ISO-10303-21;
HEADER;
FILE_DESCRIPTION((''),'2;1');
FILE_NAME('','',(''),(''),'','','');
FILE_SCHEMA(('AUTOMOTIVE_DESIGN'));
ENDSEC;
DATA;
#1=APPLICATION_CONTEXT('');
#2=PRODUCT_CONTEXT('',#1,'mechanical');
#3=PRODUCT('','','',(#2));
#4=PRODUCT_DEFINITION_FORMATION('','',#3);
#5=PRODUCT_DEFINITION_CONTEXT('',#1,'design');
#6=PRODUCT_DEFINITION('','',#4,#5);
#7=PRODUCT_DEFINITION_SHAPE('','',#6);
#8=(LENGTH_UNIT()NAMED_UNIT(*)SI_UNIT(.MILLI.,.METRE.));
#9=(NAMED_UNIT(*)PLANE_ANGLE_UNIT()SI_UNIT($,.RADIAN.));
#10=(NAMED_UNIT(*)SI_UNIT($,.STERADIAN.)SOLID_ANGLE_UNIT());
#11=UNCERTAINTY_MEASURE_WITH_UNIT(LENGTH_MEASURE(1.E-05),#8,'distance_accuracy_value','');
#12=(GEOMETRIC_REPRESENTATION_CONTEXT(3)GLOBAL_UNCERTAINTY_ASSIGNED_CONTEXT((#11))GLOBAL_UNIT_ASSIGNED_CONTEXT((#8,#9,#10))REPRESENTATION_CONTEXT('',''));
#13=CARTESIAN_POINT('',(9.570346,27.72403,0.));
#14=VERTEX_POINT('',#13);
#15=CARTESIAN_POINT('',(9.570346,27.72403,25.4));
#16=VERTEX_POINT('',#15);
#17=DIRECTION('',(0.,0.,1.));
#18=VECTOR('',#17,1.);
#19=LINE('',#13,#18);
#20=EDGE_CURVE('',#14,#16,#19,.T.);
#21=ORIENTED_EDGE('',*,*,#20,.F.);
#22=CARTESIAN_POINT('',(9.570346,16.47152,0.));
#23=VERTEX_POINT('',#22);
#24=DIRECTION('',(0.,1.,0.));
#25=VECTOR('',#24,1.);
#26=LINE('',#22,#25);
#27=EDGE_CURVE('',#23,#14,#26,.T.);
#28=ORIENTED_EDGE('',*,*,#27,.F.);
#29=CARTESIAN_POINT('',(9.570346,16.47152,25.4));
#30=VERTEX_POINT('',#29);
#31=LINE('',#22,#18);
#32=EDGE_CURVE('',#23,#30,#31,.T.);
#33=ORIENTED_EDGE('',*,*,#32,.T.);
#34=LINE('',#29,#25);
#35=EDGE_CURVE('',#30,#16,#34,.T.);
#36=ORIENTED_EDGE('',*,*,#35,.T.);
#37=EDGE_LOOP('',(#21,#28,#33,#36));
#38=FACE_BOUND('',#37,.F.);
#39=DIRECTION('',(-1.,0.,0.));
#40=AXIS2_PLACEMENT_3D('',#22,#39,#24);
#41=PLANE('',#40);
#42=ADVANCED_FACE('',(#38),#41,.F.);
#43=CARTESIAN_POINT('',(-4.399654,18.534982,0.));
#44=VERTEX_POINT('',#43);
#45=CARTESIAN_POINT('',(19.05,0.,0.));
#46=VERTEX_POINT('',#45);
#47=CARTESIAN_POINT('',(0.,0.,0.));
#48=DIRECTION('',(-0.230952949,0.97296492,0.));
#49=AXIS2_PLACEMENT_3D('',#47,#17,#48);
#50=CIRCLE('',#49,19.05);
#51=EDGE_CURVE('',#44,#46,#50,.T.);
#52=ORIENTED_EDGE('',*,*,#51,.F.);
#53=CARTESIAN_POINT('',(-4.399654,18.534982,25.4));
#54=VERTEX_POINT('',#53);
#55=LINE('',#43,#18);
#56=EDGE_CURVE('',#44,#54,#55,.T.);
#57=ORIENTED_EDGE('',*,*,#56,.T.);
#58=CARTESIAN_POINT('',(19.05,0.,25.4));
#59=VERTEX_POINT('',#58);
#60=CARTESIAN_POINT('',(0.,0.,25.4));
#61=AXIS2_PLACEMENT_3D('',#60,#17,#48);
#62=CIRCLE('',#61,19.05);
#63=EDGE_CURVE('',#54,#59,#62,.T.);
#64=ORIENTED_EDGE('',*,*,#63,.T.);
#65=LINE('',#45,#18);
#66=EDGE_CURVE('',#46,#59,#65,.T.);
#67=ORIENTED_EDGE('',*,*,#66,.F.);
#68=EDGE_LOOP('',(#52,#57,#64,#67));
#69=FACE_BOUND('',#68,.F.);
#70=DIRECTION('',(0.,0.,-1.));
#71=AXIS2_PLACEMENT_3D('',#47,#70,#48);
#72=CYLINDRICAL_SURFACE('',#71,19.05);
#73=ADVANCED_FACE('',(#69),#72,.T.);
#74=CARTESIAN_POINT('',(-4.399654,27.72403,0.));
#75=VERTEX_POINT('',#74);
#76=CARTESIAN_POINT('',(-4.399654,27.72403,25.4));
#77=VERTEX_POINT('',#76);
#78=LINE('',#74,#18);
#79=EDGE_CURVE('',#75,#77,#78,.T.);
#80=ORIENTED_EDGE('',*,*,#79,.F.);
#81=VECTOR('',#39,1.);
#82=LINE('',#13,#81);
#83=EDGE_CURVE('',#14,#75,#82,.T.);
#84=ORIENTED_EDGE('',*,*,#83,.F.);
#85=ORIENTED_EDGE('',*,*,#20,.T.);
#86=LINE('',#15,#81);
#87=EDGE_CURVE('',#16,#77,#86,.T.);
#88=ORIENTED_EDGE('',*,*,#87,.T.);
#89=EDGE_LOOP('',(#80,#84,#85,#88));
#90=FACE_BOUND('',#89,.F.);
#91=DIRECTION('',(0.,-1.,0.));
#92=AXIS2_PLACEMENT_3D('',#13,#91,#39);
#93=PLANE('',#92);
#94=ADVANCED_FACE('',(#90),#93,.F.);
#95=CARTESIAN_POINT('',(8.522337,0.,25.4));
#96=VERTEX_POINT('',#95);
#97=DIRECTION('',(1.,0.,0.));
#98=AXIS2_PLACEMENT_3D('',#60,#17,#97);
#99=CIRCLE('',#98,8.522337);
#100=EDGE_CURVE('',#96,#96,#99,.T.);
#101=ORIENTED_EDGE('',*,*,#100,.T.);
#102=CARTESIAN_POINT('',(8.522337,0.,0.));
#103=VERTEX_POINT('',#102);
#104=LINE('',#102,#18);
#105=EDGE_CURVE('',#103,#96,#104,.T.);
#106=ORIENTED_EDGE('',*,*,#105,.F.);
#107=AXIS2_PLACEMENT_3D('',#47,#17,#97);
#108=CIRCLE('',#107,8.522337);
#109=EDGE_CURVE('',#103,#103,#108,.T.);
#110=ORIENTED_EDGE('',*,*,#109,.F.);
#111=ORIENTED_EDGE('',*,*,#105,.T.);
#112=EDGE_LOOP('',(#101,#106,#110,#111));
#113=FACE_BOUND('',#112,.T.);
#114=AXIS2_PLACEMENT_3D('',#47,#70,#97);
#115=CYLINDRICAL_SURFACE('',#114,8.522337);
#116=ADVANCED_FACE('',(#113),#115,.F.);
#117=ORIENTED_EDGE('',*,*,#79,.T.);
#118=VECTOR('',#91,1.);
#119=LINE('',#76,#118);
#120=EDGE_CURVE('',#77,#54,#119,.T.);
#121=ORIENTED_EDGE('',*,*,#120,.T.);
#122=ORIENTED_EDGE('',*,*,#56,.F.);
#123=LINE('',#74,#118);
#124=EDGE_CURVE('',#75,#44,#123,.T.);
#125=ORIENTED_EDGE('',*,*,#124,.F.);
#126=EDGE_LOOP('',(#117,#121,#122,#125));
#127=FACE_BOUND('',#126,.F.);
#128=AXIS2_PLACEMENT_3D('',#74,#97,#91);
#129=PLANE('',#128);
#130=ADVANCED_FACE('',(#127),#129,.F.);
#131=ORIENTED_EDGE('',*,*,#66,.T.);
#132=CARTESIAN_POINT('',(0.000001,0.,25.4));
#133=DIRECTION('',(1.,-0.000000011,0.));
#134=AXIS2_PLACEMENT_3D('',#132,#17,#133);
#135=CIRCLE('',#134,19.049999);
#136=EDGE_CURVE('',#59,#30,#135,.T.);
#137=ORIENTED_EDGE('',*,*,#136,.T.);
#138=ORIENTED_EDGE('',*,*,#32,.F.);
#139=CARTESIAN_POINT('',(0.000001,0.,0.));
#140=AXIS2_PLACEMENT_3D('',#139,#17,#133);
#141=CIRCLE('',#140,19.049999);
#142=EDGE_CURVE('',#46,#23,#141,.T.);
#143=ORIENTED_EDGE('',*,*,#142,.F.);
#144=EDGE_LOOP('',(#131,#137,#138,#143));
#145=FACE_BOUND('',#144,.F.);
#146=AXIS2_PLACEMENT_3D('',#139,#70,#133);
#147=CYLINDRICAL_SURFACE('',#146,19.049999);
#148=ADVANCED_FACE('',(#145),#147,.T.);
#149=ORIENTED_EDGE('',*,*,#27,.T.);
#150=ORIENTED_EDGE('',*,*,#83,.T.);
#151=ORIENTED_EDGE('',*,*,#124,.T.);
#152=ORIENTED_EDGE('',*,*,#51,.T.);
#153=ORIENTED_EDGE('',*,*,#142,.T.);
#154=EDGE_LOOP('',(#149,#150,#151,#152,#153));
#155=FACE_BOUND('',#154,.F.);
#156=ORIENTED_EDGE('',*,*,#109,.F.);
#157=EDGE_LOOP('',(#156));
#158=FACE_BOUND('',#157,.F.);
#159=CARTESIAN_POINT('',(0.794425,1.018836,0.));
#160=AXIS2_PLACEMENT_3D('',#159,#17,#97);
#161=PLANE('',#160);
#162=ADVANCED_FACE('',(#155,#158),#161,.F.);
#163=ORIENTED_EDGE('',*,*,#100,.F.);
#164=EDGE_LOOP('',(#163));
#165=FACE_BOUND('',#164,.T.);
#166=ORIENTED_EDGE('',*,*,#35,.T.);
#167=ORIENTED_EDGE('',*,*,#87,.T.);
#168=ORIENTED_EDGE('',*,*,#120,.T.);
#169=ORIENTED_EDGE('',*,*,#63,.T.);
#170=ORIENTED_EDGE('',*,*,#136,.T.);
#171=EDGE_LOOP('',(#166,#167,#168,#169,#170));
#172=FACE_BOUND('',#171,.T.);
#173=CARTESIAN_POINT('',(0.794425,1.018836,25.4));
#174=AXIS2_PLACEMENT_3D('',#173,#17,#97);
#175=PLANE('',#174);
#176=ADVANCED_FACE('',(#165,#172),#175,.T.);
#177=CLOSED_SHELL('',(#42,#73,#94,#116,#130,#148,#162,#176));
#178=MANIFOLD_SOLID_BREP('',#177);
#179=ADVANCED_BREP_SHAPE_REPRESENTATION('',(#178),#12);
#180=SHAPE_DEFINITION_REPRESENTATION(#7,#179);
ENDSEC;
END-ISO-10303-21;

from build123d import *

# Parameters (mm, degrees)
F0_R     = 8.522337
F1_DEPTH = 25.4


with BuildPart() as f1:
    # F0 (on Top) → F1 (new body)
    with BuildSketch(Plane.XY):
        with BuildLine():
            ThreePointArc((-4.399654, 18.534982), (-11.812898, -14.945165), (19.05, 0))
            ThreePointArc((19.05, 0), (16.510869, 9.5023), (9.570346, 16.47152))
            ThreePointArc((9.570346, 16.47152), (2.78361, 18.84553), (-4.399654, 18.534982))
        make_face()
        Circle(F0_R, mode=Mode.SUBTRACT)
        with BuildLine():
            ThreePointArc((-4.399654, 18.534982), (2.78361, 18.84553), (9.570346, 16.47152))
            Line((9.570346, 16.47152), (9.570346, 27.72403))
            Line((9.570346, 27.72403), (-4.399654, 27.72403))
            Line((-4.399654, 27.72403), (-4.399654, 18.534982))
        make_face()
    extrude(amount=F1_DEPTH)


solid = f1.part
